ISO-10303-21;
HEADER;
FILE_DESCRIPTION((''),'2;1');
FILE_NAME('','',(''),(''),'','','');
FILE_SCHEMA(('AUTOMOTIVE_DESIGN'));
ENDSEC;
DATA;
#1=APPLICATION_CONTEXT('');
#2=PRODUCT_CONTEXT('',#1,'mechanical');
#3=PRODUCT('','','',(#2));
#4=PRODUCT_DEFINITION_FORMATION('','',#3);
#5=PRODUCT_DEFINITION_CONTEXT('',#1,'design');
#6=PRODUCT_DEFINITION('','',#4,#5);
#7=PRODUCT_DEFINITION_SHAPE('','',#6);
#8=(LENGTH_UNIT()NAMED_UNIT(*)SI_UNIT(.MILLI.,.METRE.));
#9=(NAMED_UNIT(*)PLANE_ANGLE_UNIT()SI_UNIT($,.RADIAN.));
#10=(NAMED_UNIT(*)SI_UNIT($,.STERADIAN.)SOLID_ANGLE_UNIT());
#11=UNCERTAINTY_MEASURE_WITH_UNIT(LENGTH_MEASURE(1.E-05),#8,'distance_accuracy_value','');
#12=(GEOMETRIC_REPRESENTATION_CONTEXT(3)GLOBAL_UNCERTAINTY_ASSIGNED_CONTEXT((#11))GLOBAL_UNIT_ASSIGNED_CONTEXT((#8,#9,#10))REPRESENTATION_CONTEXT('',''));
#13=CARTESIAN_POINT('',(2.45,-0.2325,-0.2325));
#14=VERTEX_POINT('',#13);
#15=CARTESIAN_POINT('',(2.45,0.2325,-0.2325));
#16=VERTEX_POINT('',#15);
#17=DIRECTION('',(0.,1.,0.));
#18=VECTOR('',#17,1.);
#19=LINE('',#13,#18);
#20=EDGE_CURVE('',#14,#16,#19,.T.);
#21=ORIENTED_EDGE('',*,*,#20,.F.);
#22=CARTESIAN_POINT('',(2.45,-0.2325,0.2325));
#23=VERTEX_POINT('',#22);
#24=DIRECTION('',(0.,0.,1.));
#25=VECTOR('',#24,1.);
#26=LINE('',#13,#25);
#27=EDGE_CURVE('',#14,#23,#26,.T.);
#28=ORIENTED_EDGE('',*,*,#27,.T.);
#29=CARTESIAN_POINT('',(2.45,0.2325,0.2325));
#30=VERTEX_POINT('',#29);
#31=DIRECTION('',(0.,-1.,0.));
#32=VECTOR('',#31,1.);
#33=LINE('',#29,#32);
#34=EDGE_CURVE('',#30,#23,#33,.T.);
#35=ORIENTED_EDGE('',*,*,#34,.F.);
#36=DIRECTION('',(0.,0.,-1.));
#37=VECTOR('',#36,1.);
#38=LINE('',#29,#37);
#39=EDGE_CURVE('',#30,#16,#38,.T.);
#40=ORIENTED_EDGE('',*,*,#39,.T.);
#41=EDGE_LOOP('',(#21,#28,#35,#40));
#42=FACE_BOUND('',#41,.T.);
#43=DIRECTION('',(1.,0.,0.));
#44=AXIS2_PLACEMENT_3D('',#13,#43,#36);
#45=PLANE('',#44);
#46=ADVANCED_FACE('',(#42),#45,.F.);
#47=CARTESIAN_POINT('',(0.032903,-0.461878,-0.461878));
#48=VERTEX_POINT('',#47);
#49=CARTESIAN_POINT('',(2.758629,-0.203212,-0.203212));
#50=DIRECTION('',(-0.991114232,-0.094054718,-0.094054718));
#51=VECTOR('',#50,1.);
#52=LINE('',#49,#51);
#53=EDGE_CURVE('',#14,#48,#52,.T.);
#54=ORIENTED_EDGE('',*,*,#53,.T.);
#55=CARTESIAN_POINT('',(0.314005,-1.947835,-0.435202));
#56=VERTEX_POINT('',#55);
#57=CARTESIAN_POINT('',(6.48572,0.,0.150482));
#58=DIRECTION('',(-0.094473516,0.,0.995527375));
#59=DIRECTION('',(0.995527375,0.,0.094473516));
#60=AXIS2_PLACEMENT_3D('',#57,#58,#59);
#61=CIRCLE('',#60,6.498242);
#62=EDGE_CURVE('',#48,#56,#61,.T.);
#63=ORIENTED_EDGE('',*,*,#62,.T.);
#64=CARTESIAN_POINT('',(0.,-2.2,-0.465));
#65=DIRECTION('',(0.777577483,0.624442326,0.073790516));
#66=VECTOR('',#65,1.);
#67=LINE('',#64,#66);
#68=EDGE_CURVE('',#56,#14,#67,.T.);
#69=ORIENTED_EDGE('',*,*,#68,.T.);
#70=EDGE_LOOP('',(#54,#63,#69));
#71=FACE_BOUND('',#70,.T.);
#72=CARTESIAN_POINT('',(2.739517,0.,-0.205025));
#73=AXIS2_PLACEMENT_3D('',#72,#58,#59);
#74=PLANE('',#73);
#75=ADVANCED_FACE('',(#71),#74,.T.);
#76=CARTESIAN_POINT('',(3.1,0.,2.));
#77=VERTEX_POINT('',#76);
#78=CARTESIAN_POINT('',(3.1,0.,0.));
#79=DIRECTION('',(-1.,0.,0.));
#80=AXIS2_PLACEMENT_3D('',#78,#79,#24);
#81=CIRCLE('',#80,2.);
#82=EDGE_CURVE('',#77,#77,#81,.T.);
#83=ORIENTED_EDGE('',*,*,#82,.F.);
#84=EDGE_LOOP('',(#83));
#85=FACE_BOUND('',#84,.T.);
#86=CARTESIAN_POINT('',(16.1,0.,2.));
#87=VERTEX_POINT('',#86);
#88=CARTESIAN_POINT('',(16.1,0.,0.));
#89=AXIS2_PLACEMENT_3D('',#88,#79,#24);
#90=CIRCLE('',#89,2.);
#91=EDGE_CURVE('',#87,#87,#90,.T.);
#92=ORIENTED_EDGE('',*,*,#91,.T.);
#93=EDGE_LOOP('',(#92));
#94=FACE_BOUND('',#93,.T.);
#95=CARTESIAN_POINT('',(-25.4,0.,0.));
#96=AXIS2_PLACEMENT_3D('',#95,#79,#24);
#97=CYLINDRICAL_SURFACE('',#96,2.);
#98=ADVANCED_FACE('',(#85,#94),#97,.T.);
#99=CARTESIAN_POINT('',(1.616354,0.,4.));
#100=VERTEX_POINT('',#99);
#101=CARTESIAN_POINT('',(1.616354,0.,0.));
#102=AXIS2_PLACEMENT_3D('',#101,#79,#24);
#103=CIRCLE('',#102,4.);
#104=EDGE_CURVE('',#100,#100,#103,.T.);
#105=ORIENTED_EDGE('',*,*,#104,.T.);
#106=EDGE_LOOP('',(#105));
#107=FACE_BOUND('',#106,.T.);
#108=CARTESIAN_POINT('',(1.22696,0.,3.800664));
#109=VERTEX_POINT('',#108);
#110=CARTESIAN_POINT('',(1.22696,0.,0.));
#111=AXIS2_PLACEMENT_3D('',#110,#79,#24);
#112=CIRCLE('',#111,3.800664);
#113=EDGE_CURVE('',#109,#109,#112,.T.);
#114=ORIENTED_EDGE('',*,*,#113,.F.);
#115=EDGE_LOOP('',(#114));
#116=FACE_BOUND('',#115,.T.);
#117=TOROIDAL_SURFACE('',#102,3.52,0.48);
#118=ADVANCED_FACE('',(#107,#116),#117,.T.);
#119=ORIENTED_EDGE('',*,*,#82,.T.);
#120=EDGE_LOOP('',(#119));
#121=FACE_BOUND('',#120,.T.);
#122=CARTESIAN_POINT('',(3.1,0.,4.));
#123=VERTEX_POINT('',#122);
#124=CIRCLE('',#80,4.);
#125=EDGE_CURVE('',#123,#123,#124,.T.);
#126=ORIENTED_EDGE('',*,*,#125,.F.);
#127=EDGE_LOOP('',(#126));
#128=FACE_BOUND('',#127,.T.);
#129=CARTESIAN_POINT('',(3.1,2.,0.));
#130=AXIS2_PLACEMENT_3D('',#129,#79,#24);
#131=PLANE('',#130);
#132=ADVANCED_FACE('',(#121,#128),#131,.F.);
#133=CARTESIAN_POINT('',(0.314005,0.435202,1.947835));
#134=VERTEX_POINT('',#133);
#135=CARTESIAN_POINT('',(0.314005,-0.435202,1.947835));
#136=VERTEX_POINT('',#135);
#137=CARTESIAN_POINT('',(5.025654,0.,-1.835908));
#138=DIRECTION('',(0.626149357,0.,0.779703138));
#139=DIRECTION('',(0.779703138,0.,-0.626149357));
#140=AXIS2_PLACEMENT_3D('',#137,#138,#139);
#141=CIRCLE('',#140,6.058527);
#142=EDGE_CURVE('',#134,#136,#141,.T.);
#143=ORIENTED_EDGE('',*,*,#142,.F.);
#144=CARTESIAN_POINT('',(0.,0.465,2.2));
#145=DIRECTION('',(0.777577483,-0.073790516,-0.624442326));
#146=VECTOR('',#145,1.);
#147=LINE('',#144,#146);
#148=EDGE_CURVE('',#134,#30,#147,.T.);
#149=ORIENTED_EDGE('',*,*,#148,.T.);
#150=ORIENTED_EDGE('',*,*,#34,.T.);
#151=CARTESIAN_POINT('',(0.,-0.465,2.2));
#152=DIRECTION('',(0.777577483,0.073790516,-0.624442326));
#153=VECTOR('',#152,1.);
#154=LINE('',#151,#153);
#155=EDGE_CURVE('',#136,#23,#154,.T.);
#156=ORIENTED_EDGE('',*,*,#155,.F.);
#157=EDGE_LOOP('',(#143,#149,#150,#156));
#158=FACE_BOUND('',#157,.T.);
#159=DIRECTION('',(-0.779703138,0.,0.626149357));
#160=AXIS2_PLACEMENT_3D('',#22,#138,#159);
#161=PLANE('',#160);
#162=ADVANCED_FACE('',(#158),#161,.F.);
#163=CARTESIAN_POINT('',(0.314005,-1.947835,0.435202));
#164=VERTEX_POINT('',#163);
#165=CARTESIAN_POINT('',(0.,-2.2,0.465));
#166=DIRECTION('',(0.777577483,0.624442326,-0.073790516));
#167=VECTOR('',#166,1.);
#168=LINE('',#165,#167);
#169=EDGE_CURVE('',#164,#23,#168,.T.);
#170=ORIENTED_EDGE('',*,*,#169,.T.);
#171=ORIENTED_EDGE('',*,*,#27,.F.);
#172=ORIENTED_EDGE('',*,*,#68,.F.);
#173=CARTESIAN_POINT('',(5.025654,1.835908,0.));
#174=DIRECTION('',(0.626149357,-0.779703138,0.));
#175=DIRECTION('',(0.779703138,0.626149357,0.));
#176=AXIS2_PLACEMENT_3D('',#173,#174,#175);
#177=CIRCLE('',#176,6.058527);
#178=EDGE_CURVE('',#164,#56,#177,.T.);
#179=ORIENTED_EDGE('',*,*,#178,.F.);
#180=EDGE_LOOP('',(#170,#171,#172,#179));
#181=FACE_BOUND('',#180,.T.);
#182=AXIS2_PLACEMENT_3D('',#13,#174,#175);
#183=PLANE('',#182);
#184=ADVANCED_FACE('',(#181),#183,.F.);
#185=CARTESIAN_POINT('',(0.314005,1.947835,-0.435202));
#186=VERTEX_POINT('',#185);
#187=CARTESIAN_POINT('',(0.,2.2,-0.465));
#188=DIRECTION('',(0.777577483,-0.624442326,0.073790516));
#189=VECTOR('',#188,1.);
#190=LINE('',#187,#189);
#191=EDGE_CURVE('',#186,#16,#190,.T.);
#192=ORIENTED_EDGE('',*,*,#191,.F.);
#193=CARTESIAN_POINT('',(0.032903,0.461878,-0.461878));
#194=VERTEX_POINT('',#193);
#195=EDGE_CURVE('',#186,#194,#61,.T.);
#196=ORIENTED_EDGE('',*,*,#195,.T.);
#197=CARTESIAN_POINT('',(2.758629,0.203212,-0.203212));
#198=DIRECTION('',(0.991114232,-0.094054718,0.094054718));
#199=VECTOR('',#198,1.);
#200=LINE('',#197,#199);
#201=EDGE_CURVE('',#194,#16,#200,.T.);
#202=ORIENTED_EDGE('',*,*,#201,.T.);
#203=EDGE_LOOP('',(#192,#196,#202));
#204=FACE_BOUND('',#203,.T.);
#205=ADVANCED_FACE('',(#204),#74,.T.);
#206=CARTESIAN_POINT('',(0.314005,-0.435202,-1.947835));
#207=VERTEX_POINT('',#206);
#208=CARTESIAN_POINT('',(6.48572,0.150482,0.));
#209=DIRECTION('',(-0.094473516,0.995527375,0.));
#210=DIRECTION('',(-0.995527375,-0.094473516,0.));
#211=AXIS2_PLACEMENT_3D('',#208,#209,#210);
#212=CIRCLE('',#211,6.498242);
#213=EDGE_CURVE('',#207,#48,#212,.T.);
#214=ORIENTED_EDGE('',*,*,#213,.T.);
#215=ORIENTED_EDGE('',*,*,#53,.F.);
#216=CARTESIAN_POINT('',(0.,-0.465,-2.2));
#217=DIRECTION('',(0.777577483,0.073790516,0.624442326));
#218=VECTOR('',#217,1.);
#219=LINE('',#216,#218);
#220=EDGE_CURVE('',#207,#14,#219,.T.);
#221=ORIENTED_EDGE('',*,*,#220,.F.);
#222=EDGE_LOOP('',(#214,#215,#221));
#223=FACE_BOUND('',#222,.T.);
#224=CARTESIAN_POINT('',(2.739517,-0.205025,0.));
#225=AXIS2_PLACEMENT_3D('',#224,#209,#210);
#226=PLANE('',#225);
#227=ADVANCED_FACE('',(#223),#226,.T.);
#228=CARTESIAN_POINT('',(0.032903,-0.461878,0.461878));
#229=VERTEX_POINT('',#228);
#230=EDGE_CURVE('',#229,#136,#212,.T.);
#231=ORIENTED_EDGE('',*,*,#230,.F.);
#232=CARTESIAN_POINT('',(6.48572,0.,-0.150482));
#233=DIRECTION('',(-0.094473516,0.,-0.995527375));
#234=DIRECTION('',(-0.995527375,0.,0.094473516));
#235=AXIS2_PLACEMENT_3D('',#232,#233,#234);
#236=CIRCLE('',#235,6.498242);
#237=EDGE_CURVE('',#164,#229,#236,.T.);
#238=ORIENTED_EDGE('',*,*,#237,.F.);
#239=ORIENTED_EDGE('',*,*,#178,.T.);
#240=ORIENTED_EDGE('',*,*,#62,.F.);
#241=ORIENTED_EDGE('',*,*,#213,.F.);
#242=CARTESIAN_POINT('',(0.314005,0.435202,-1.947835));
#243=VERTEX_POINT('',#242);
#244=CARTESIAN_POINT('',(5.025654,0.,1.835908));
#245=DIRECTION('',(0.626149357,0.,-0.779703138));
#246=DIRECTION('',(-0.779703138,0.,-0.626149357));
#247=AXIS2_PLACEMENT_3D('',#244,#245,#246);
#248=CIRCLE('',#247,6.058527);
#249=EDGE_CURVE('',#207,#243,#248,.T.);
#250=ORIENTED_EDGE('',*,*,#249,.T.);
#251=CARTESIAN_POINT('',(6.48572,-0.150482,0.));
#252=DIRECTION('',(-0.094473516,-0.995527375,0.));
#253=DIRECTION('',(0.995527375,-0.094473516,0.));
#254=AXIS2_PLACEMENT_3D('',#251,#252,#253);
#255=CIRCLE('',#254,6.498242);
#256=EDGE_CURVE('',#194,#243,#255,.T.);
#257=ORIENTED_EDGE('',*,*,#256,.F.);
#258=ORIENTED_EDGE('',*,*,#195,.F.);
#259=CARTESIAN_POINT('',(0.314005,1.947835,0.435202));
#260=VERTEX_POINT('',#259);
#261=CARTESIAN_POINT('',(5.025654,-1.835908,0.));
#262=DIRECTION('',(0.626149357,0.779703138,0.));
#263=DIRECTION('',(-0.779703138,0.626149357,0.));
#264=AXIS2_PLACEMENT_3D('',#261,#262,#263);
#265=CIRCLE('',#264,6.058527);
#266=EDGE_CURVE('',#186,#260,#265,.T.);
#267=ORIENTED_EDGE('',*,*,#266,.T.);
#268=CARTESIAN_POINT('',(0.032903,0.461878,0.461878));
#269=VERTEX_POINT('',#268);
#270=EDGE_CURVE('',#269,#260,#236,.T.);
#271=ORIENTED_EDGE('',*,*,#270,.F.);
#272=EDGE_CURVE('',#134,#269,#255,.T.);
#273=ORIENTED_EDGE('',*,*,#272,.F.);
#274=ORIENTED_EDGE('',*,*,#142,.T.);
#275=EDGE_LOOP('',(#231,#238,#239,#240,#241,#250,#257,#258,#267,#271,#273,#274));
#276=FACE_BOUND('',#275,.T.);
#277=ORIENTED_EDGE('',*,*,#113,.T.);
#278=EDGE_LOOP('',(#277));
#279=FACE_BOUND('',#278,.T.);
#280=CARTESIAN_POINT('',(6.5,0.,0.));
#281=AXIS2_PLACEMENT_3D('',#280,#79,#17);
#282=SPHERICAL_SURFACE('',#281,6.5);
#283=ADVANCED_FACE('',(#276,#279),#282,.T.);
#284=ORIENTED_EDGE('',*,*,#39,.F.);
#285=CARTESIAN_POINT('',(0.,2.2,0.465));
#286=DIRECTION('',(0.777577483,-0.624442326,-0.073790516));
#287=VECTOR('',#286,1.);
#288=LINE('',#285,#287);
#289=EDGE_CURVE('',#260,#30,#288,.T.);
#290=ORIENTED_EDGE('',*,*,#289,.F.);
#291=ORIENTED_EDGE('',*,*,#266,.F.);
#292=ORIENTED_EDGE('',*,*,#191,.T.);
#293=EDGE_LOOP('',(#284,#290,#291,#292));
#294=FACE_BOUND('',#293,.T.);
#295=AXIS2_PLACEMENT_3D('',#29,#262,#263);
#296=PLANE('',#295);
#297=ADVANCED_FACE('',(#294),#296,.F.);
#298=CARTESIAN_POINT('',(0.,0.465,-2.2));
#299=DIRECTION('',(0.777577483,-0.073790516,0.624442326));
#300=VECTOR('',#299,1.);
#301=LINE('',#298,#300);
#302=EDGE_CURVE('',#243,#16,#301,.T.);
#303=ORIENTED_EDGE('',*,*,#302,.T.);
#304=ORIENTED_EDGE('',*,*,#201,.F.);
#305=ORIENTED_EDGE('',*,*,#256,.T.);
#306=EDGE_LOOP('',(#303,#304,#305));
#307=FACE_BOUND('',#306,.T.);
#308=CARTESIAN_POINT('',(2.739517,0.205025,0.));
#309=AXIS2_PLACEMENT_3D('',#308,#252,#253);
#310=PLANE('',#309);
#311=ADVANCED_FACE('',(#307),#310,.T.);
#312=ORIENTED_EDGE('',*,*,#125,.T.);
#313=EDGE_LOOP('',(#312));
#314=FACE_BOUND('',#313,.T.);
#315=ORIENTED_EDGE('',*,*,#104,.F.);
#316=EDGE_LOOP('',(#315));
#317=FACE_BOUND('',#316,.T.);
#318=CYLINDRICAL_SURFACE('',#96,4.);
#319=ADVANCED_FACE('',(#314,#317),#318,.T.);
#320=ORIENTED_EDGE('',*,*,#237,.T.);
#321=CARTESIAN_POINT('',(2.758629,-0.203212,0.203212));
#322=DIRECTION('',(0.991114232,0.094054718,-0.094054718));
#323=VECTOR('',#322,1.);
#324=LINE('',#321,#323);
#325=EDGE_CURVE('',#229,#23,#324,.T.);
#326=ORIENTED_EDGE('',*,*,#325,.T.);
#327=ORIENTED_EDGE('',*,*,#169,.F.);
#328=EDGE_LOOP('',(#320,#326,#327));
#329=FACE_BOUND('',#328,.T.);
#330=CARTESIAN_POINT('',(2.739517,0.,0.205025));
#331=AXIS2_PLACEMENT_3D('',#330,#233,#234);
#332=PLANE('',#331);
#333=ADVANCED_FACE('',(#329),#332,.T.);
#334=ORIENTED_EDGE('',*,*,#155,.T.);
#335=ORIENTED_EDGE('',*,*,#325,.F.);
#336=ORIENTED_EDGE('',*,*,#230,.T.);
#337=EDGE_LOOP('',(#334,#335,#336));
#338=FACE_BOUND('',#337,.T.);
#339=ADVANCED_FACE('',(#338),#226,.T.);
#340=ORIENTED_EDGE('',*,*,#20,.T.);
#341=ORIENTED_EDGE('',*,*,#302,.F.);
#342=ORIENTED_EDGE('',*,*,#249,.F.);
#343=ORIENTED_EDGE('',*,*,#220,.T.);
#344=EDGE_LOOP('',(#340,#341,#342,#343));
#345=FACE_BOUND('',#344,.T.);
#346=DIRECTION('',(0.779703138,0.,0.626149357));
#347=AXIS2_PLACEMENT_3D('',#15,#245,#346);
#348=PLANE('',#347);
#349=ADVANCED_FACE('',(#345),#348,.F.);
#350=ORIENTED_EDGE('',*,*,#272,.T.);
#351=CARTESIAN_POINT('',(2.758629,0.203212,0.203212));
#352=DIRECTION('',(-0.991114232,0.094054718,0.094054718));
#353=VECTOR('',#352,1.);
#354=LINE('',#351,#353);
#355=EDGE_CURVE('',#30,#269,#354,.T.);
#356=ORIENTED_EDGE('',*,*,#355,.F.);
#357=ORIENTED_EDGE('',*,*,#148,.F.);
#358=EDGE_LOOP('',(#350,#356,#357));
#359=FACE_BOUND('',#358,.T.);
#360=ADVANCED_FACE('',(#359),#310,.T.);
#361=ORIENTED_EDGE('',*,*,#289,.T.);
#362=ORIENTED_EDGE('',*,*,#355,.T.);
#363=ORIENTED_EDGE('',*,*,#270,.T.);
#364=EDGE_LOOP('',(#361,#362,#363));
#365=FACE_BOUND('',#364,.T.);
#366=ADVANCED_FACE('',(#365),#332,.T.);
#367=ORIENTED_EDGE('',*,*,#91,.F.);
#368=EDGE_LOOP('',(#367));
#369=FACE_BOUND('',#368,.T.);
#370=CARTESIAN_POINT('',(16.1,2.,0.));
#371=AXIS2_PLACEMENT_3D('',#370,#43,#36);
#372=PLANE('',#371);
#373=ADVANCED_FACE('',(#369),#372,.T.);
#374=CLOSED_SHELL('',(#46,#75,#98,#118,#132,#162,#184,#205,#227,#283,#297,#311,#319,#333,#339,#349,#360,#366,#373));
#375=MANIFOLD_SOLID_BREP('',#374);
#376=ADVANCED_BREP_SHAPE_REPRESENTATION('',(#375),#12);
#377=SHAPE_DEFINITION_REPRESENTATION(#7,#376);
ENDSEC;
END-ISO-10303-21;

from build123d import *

# Parameters (mm, degrees)
SKETCH3_W         = 0.93
SKETCH3_H         = 4.4
SKETCH4_W         = 0.465
SKETCH4_H         = 0.465
CIRPATTERN1_COUNT = 2
CIRPATTERN1_ANGLE = 90


with BuildPart() as part:
    # BodySke → Base-Revolve (revolve)
    with BuildSketch(Plane.XY):
        with BuildLine():
            Line((3.1, 2), (3.1, 4))
            Line((3.1, 4), (1.616353821, 4))
            ThreePointArc((1.616353821, 4), (1.397629036, 3.947269784), (1.226960106, 3.800664452))
            ThreePointArc((1.226960106, 3.800664452), (0.314340807, 1.996902688), (0, 0))
            Line((0, 0), (16.1, 0))
            Line((16.1, 0), (16.1, 2))
            Line((16.1, 2), (3.1, 2))
        make_face()
    revolve(axis=Axis((-25.4, 0, 0), (1, 0, 0)))

    # Sketch3 → Cut-Loft1 section 0
    with BuildSketch(Plane(origin=(0, 0, 0), x_dir=(0, 0, -1), z_dir=(1, 0, 0))):
        Rectangle(SKETCH3_W, SKETCH3_H)
    # Sketch4 → Cut-Loft1 section 1
    with BuildSketch(Plane(origin=(2.45, 0, 0), x_dir=(0, 0, -1), z_dir=(1, 0, 0))):
        Rectangle(SKETCH4_W, SKETCH4_H)
    cut_loft1 = loft(mode=Mode.SUBTRACT)

    # CirPattern1: Cut-Loft1 ×2 about axis
    cirpattern1_axis = Axis((0, 0, 0), (1, 0, 0))
    for i in range(1, CIRPATTERN1_COUNT):
        add(cut_loft1.rotate(cirpattern1_axis, i * CIRPATTERN1_ANGLE / (CIRPATTERN1_COUNT - 1)), mode=Mode.SUBTRACT)


solid = part.part
